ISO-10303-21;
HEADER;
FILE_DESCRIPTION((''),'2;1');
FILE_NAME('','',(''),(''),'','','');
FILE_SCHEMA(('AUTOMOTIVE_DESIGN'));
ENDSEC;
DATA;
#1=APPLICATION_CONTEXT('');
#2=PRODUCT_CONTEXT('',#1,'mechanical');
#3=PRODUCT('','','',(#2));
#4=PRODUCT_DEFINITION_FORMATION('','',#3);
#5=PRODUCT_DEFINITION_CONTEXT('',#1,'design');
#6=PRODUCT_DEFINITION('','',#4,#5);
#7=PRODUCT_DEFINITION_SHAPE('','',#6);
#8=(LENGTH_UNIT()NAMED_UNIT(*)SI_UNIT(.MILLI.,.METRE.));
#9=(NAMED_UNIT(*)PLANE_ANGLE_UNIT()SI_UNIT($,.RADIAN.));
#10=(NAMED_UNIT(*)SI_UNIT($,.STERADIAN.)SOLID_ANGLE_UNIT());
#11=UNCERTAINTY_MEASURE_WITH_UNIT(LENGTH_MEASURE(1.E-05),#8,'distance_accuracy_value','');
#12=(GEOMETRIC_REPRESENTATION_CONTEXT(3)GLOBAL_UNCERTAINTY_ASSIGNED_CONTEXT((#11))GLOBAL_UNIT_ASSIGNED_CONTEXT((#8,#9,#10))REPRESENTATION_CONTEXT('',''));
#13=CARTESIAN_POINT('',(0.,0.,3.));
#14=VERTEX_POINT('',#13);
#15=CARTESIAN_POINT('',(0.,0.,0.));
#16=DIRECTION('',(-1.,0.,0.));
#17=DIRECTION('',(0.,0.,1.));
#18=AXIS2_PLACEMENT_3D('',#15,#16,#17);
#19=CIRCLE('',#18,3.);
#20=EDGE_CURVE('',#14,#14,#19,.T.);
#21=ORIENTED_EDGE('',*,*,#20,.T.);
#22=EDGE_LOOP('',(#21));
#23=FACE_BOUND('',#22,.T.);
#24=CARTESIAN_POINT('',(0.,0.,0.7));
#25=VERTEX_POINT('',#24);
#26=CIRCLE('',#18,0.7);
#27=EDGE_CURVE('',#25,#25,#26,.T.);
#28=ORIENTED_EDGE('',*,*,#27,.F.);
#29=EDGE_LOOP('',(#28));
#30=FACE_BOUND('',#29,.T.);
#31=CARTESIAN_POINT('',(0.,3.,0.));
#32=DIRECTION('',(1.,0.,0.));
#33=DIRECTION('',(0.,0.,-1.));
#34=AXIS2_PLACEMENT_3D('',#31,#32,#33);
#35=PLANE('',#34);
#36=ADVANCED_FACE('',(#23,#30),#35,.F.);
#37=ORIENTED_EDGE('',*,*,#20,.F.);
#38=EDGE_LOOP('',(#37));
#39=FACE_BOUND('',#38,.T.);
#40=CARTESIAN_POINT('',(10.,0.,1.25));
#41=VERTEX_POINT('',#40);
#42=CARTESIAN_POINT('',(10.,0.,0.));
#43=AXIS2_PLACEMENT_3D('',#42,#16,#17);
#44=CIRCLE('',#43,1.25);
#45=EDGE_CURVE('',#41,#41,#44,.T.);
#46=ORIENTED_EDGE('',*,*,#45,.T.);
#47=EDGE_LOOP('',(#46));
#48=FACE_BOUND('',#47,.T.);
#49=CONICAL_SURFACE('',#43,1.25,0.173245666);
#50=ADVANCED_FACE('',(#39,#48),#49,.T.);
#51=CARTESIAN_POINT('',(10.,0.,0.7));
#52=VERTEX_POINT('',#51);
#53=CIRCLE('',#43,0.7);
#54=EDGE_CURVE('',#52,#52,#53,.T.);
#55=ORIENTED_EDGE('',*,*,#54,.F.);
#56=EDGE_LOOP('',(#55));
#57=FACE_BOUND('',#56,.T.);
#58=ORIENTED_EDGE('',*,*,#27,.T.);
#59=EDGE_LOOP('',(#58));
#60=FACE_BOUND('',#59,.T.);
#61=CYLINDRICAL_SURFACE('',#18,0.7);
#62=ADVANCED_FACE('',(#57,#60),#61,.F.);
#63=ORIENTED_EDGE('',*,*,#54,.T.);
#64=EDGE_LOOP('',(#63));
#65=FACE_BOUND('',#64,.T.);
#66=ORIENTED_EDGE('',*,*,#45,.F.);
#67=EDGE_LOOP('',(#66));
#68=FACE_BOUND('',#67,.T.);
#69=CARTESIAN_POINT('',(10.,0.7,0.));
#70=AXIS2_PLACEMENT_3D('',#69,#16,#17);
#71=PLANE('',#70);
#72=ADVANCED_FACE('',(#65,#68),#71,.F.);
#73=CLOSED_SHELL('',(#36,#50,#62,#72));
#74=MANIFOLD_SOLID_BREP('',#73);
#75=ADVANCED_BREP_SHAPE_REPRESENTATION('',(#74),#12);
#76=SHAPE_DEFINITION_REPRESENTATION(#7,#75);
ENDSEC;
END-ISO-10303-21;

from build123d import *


with BuildPart() as part:
    # Sketch1 → Revolve1 (revolve)
    with BuildSketch(Plane.XY, mode=Mode.PRIVATE) as revolve1_sk:
        Polygon((0, 0.7), (10, 0.7), (10, 1.25), (0, 3), align=None)
    revolve(revolve1_sk.sketch.rotate(Axis((0, 0, 0), (1, 0, 0)), 90), axis=Axis((0, 0, 0), (1, 0, 0)))


solid = part.part
